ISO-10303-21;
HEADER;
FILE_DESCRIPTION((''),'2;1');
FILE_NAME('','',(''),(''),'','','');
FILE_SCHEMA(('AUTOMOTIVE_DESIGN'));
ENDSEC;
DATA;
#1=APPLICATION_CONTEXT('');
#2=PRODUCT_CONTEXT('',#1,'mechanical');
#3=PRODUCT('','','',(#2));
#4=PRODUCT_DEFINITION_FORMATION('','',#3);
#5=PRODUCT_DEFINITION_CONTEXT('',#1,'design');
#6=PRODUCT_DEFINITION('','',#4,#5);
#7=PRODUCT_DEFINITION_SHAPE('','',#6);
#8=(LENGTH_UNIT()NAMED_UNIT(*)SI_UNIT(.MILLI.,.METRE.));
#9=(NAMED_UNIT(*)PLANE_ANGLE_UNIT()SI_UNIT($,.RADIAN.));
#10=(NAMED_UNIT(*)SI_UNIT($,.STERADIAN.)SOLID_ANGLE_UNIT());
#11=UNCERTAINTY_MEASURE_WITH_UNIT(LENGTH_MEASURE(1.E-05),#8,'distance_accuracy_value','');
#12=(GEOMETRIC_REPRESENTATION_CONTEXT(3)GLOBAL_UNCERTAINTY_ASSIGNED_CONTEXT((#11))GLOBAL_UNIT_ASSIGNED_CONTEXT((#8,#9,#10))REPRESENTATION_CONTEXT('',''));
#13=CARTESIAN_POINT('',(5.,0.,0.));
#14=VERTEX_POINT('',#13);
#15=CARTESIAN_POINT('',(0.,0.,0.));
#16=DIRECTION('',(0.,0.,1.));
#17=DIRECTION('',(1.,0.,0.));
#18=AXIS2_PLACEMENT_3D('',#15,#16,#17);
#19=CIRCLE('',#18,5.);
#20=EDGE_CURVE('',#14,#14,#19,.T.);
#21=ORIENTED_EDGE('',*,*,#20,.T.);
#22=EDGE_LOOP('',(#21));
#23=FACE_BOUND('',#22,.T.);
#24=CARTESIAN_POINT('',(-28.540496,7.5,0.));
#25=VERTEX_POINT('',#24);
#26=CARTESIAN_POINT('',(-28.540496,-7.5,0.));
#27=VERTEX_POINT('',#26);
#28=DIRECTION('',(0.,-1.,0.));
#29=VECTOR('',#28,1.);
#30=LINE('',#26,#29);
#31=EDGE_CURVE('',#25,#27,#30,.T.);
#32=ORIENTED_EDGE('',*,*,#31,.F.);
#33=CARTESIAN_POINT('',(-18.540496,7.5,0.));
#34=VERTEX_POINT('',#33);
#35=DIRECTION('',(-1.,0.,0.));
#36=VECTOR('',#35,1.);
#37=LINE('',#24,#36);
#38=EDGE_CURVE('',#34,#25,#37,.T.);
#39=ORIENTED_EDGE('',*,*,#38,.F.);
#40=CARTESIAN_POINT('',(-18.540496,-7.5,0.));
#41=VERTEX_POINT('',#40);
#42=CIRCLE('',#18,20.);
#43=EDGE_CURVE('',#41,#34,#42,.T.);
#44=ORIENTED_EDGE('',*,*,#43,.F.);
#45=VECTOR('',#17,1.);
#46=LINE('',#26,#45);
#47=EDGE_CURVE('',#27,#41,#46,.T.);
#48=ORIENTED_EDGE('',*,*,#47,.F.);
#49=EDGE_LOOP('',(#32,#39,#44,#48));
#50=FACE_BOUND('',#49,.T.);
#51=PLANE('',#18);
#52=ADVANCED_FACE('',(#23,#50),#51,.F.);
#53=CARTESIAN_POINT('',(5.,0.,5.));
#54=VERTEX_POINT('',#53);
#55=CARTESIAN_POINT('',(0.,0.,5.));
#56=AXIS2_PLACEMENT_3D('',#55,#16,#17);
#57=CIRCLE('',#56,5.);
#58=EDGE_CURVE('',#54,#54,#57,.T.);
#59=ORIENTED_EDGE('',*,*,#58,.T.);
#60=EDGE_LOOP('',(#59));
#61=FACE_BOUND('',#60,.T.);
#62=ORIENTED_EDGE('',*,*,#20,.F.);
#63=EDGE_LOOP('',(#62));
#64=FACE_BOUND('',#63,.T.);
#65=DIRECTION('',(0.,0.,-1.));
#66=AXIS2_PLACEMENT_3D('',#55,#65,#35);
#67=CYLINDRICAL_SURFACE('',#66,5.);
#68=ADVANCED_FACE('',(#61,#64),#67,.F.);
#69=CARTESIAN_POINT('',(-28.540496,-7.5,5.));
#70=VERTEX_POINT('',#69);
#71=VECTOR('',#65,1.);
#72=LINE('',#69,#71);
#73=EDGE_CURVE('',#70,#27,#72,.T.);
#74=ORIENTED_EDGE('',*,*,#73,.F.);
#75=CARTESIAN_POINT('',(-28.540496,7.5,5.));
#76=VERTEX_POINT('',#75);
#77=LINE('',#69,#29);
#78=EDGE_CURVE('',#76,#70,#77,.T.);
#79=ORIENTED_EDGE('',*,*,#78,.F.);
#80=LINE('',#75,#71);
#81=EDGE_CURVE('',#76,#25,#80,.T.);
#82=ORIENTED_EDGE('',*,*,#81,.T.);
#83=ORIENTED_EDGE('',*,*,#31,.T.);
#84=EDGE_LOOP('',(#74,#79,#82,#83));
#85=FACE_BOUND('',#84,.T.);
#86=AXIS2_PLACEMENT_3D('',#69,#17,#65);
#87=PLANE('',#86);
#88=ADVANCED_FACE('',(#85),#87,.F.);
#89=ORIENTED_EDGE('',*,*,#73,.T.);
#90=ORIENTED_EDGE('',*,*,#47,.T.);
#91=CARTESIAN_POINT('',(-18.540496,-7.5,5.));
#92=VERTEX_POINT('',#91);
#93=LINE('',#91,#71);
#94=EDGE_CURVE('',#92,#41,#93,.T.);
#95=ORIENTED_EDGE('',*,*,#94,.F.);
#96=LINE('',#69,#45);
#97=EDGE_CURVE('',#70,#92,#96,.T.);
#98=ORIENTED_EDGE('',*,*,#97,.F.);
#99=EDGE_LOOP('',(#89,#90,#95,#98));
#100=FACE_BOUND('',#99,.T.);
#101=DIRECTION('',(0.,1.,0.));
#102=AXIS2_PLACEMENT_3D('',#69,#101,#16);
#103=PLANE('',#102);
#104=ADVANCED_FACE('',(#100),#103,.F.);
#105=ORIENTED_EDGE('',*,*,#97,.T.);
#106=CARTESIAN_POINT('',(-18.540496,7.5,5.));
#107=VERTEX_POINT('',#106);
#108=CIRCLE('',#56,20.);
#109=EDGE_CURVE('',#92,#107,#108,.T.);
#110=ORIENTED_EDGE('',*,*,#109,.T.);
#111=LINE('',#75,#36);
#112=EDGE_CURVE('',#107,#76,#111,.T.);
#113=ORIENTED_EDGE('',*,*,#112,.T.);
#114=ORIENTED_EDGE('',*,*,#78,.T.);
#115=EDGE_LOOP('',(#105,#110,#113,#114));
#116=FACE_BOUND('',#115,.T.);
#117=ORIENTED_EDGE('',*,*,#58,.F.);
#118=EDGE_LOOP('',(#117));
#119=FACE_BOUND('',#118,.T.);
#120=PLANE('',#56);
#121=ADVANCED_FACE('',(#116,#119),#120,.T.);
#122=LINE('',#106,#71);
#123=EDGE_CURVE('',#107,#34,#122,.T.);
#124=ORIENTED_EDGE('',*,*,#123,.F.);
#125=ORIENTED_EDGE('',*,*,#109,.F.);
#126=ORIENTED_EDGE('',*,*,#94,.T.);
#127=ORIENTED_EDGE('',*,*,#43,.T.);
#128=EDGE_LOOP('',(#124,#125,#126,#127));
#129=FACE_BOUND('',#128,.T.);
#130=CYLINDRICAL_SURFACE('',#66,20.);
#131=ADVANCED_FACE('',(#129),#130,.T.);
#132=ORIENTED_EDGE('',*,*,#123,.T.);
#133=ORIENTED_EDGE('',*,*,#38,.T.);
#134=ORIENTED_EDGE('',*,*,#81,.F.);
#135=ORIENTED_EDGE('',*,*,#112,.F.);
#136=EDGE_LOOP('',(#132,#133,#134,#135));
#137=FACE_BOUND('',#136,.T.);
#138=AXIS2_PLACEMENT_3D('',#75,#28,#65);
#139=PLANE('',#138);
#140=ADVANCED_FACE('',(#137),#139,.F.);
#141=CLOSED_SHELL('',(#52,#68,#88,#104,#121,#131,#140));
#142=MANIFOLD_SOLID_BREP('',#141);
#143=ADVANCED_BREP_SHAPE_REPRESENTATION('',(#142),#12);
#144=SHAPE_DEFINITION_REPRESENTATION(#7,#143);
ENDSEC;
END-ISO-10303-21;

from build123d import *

# Parameters (mm, degrees)
SKETCH1_R           = 5
BOSS_EXTRUDE1_DEPTH = 5


with BuildPart() as part:
    # Sketch1 → Boss-Extrude1 (new body)
    with BuildSketch(Plane.XY):
        with BuildLine():
            Line((-28.540496218, -7.5), (-28.540496218, 7.5))
            Line((-28.540496218, 7.5), (-18.540496218, 7.5))
            ThreePointArc((-18.540496218, 7.5), (20, 0), (-18.540496218, -7.5))
            Line((-18.540496218, -7.5), (-28.540496218, -7.5))
        make_face()
        Circle(SKETCH1_R, mode=Mode.SUBTRACT)
    extrude(amount=BOSS_EXTRUDE1_DEPTH)


solid = part.part
